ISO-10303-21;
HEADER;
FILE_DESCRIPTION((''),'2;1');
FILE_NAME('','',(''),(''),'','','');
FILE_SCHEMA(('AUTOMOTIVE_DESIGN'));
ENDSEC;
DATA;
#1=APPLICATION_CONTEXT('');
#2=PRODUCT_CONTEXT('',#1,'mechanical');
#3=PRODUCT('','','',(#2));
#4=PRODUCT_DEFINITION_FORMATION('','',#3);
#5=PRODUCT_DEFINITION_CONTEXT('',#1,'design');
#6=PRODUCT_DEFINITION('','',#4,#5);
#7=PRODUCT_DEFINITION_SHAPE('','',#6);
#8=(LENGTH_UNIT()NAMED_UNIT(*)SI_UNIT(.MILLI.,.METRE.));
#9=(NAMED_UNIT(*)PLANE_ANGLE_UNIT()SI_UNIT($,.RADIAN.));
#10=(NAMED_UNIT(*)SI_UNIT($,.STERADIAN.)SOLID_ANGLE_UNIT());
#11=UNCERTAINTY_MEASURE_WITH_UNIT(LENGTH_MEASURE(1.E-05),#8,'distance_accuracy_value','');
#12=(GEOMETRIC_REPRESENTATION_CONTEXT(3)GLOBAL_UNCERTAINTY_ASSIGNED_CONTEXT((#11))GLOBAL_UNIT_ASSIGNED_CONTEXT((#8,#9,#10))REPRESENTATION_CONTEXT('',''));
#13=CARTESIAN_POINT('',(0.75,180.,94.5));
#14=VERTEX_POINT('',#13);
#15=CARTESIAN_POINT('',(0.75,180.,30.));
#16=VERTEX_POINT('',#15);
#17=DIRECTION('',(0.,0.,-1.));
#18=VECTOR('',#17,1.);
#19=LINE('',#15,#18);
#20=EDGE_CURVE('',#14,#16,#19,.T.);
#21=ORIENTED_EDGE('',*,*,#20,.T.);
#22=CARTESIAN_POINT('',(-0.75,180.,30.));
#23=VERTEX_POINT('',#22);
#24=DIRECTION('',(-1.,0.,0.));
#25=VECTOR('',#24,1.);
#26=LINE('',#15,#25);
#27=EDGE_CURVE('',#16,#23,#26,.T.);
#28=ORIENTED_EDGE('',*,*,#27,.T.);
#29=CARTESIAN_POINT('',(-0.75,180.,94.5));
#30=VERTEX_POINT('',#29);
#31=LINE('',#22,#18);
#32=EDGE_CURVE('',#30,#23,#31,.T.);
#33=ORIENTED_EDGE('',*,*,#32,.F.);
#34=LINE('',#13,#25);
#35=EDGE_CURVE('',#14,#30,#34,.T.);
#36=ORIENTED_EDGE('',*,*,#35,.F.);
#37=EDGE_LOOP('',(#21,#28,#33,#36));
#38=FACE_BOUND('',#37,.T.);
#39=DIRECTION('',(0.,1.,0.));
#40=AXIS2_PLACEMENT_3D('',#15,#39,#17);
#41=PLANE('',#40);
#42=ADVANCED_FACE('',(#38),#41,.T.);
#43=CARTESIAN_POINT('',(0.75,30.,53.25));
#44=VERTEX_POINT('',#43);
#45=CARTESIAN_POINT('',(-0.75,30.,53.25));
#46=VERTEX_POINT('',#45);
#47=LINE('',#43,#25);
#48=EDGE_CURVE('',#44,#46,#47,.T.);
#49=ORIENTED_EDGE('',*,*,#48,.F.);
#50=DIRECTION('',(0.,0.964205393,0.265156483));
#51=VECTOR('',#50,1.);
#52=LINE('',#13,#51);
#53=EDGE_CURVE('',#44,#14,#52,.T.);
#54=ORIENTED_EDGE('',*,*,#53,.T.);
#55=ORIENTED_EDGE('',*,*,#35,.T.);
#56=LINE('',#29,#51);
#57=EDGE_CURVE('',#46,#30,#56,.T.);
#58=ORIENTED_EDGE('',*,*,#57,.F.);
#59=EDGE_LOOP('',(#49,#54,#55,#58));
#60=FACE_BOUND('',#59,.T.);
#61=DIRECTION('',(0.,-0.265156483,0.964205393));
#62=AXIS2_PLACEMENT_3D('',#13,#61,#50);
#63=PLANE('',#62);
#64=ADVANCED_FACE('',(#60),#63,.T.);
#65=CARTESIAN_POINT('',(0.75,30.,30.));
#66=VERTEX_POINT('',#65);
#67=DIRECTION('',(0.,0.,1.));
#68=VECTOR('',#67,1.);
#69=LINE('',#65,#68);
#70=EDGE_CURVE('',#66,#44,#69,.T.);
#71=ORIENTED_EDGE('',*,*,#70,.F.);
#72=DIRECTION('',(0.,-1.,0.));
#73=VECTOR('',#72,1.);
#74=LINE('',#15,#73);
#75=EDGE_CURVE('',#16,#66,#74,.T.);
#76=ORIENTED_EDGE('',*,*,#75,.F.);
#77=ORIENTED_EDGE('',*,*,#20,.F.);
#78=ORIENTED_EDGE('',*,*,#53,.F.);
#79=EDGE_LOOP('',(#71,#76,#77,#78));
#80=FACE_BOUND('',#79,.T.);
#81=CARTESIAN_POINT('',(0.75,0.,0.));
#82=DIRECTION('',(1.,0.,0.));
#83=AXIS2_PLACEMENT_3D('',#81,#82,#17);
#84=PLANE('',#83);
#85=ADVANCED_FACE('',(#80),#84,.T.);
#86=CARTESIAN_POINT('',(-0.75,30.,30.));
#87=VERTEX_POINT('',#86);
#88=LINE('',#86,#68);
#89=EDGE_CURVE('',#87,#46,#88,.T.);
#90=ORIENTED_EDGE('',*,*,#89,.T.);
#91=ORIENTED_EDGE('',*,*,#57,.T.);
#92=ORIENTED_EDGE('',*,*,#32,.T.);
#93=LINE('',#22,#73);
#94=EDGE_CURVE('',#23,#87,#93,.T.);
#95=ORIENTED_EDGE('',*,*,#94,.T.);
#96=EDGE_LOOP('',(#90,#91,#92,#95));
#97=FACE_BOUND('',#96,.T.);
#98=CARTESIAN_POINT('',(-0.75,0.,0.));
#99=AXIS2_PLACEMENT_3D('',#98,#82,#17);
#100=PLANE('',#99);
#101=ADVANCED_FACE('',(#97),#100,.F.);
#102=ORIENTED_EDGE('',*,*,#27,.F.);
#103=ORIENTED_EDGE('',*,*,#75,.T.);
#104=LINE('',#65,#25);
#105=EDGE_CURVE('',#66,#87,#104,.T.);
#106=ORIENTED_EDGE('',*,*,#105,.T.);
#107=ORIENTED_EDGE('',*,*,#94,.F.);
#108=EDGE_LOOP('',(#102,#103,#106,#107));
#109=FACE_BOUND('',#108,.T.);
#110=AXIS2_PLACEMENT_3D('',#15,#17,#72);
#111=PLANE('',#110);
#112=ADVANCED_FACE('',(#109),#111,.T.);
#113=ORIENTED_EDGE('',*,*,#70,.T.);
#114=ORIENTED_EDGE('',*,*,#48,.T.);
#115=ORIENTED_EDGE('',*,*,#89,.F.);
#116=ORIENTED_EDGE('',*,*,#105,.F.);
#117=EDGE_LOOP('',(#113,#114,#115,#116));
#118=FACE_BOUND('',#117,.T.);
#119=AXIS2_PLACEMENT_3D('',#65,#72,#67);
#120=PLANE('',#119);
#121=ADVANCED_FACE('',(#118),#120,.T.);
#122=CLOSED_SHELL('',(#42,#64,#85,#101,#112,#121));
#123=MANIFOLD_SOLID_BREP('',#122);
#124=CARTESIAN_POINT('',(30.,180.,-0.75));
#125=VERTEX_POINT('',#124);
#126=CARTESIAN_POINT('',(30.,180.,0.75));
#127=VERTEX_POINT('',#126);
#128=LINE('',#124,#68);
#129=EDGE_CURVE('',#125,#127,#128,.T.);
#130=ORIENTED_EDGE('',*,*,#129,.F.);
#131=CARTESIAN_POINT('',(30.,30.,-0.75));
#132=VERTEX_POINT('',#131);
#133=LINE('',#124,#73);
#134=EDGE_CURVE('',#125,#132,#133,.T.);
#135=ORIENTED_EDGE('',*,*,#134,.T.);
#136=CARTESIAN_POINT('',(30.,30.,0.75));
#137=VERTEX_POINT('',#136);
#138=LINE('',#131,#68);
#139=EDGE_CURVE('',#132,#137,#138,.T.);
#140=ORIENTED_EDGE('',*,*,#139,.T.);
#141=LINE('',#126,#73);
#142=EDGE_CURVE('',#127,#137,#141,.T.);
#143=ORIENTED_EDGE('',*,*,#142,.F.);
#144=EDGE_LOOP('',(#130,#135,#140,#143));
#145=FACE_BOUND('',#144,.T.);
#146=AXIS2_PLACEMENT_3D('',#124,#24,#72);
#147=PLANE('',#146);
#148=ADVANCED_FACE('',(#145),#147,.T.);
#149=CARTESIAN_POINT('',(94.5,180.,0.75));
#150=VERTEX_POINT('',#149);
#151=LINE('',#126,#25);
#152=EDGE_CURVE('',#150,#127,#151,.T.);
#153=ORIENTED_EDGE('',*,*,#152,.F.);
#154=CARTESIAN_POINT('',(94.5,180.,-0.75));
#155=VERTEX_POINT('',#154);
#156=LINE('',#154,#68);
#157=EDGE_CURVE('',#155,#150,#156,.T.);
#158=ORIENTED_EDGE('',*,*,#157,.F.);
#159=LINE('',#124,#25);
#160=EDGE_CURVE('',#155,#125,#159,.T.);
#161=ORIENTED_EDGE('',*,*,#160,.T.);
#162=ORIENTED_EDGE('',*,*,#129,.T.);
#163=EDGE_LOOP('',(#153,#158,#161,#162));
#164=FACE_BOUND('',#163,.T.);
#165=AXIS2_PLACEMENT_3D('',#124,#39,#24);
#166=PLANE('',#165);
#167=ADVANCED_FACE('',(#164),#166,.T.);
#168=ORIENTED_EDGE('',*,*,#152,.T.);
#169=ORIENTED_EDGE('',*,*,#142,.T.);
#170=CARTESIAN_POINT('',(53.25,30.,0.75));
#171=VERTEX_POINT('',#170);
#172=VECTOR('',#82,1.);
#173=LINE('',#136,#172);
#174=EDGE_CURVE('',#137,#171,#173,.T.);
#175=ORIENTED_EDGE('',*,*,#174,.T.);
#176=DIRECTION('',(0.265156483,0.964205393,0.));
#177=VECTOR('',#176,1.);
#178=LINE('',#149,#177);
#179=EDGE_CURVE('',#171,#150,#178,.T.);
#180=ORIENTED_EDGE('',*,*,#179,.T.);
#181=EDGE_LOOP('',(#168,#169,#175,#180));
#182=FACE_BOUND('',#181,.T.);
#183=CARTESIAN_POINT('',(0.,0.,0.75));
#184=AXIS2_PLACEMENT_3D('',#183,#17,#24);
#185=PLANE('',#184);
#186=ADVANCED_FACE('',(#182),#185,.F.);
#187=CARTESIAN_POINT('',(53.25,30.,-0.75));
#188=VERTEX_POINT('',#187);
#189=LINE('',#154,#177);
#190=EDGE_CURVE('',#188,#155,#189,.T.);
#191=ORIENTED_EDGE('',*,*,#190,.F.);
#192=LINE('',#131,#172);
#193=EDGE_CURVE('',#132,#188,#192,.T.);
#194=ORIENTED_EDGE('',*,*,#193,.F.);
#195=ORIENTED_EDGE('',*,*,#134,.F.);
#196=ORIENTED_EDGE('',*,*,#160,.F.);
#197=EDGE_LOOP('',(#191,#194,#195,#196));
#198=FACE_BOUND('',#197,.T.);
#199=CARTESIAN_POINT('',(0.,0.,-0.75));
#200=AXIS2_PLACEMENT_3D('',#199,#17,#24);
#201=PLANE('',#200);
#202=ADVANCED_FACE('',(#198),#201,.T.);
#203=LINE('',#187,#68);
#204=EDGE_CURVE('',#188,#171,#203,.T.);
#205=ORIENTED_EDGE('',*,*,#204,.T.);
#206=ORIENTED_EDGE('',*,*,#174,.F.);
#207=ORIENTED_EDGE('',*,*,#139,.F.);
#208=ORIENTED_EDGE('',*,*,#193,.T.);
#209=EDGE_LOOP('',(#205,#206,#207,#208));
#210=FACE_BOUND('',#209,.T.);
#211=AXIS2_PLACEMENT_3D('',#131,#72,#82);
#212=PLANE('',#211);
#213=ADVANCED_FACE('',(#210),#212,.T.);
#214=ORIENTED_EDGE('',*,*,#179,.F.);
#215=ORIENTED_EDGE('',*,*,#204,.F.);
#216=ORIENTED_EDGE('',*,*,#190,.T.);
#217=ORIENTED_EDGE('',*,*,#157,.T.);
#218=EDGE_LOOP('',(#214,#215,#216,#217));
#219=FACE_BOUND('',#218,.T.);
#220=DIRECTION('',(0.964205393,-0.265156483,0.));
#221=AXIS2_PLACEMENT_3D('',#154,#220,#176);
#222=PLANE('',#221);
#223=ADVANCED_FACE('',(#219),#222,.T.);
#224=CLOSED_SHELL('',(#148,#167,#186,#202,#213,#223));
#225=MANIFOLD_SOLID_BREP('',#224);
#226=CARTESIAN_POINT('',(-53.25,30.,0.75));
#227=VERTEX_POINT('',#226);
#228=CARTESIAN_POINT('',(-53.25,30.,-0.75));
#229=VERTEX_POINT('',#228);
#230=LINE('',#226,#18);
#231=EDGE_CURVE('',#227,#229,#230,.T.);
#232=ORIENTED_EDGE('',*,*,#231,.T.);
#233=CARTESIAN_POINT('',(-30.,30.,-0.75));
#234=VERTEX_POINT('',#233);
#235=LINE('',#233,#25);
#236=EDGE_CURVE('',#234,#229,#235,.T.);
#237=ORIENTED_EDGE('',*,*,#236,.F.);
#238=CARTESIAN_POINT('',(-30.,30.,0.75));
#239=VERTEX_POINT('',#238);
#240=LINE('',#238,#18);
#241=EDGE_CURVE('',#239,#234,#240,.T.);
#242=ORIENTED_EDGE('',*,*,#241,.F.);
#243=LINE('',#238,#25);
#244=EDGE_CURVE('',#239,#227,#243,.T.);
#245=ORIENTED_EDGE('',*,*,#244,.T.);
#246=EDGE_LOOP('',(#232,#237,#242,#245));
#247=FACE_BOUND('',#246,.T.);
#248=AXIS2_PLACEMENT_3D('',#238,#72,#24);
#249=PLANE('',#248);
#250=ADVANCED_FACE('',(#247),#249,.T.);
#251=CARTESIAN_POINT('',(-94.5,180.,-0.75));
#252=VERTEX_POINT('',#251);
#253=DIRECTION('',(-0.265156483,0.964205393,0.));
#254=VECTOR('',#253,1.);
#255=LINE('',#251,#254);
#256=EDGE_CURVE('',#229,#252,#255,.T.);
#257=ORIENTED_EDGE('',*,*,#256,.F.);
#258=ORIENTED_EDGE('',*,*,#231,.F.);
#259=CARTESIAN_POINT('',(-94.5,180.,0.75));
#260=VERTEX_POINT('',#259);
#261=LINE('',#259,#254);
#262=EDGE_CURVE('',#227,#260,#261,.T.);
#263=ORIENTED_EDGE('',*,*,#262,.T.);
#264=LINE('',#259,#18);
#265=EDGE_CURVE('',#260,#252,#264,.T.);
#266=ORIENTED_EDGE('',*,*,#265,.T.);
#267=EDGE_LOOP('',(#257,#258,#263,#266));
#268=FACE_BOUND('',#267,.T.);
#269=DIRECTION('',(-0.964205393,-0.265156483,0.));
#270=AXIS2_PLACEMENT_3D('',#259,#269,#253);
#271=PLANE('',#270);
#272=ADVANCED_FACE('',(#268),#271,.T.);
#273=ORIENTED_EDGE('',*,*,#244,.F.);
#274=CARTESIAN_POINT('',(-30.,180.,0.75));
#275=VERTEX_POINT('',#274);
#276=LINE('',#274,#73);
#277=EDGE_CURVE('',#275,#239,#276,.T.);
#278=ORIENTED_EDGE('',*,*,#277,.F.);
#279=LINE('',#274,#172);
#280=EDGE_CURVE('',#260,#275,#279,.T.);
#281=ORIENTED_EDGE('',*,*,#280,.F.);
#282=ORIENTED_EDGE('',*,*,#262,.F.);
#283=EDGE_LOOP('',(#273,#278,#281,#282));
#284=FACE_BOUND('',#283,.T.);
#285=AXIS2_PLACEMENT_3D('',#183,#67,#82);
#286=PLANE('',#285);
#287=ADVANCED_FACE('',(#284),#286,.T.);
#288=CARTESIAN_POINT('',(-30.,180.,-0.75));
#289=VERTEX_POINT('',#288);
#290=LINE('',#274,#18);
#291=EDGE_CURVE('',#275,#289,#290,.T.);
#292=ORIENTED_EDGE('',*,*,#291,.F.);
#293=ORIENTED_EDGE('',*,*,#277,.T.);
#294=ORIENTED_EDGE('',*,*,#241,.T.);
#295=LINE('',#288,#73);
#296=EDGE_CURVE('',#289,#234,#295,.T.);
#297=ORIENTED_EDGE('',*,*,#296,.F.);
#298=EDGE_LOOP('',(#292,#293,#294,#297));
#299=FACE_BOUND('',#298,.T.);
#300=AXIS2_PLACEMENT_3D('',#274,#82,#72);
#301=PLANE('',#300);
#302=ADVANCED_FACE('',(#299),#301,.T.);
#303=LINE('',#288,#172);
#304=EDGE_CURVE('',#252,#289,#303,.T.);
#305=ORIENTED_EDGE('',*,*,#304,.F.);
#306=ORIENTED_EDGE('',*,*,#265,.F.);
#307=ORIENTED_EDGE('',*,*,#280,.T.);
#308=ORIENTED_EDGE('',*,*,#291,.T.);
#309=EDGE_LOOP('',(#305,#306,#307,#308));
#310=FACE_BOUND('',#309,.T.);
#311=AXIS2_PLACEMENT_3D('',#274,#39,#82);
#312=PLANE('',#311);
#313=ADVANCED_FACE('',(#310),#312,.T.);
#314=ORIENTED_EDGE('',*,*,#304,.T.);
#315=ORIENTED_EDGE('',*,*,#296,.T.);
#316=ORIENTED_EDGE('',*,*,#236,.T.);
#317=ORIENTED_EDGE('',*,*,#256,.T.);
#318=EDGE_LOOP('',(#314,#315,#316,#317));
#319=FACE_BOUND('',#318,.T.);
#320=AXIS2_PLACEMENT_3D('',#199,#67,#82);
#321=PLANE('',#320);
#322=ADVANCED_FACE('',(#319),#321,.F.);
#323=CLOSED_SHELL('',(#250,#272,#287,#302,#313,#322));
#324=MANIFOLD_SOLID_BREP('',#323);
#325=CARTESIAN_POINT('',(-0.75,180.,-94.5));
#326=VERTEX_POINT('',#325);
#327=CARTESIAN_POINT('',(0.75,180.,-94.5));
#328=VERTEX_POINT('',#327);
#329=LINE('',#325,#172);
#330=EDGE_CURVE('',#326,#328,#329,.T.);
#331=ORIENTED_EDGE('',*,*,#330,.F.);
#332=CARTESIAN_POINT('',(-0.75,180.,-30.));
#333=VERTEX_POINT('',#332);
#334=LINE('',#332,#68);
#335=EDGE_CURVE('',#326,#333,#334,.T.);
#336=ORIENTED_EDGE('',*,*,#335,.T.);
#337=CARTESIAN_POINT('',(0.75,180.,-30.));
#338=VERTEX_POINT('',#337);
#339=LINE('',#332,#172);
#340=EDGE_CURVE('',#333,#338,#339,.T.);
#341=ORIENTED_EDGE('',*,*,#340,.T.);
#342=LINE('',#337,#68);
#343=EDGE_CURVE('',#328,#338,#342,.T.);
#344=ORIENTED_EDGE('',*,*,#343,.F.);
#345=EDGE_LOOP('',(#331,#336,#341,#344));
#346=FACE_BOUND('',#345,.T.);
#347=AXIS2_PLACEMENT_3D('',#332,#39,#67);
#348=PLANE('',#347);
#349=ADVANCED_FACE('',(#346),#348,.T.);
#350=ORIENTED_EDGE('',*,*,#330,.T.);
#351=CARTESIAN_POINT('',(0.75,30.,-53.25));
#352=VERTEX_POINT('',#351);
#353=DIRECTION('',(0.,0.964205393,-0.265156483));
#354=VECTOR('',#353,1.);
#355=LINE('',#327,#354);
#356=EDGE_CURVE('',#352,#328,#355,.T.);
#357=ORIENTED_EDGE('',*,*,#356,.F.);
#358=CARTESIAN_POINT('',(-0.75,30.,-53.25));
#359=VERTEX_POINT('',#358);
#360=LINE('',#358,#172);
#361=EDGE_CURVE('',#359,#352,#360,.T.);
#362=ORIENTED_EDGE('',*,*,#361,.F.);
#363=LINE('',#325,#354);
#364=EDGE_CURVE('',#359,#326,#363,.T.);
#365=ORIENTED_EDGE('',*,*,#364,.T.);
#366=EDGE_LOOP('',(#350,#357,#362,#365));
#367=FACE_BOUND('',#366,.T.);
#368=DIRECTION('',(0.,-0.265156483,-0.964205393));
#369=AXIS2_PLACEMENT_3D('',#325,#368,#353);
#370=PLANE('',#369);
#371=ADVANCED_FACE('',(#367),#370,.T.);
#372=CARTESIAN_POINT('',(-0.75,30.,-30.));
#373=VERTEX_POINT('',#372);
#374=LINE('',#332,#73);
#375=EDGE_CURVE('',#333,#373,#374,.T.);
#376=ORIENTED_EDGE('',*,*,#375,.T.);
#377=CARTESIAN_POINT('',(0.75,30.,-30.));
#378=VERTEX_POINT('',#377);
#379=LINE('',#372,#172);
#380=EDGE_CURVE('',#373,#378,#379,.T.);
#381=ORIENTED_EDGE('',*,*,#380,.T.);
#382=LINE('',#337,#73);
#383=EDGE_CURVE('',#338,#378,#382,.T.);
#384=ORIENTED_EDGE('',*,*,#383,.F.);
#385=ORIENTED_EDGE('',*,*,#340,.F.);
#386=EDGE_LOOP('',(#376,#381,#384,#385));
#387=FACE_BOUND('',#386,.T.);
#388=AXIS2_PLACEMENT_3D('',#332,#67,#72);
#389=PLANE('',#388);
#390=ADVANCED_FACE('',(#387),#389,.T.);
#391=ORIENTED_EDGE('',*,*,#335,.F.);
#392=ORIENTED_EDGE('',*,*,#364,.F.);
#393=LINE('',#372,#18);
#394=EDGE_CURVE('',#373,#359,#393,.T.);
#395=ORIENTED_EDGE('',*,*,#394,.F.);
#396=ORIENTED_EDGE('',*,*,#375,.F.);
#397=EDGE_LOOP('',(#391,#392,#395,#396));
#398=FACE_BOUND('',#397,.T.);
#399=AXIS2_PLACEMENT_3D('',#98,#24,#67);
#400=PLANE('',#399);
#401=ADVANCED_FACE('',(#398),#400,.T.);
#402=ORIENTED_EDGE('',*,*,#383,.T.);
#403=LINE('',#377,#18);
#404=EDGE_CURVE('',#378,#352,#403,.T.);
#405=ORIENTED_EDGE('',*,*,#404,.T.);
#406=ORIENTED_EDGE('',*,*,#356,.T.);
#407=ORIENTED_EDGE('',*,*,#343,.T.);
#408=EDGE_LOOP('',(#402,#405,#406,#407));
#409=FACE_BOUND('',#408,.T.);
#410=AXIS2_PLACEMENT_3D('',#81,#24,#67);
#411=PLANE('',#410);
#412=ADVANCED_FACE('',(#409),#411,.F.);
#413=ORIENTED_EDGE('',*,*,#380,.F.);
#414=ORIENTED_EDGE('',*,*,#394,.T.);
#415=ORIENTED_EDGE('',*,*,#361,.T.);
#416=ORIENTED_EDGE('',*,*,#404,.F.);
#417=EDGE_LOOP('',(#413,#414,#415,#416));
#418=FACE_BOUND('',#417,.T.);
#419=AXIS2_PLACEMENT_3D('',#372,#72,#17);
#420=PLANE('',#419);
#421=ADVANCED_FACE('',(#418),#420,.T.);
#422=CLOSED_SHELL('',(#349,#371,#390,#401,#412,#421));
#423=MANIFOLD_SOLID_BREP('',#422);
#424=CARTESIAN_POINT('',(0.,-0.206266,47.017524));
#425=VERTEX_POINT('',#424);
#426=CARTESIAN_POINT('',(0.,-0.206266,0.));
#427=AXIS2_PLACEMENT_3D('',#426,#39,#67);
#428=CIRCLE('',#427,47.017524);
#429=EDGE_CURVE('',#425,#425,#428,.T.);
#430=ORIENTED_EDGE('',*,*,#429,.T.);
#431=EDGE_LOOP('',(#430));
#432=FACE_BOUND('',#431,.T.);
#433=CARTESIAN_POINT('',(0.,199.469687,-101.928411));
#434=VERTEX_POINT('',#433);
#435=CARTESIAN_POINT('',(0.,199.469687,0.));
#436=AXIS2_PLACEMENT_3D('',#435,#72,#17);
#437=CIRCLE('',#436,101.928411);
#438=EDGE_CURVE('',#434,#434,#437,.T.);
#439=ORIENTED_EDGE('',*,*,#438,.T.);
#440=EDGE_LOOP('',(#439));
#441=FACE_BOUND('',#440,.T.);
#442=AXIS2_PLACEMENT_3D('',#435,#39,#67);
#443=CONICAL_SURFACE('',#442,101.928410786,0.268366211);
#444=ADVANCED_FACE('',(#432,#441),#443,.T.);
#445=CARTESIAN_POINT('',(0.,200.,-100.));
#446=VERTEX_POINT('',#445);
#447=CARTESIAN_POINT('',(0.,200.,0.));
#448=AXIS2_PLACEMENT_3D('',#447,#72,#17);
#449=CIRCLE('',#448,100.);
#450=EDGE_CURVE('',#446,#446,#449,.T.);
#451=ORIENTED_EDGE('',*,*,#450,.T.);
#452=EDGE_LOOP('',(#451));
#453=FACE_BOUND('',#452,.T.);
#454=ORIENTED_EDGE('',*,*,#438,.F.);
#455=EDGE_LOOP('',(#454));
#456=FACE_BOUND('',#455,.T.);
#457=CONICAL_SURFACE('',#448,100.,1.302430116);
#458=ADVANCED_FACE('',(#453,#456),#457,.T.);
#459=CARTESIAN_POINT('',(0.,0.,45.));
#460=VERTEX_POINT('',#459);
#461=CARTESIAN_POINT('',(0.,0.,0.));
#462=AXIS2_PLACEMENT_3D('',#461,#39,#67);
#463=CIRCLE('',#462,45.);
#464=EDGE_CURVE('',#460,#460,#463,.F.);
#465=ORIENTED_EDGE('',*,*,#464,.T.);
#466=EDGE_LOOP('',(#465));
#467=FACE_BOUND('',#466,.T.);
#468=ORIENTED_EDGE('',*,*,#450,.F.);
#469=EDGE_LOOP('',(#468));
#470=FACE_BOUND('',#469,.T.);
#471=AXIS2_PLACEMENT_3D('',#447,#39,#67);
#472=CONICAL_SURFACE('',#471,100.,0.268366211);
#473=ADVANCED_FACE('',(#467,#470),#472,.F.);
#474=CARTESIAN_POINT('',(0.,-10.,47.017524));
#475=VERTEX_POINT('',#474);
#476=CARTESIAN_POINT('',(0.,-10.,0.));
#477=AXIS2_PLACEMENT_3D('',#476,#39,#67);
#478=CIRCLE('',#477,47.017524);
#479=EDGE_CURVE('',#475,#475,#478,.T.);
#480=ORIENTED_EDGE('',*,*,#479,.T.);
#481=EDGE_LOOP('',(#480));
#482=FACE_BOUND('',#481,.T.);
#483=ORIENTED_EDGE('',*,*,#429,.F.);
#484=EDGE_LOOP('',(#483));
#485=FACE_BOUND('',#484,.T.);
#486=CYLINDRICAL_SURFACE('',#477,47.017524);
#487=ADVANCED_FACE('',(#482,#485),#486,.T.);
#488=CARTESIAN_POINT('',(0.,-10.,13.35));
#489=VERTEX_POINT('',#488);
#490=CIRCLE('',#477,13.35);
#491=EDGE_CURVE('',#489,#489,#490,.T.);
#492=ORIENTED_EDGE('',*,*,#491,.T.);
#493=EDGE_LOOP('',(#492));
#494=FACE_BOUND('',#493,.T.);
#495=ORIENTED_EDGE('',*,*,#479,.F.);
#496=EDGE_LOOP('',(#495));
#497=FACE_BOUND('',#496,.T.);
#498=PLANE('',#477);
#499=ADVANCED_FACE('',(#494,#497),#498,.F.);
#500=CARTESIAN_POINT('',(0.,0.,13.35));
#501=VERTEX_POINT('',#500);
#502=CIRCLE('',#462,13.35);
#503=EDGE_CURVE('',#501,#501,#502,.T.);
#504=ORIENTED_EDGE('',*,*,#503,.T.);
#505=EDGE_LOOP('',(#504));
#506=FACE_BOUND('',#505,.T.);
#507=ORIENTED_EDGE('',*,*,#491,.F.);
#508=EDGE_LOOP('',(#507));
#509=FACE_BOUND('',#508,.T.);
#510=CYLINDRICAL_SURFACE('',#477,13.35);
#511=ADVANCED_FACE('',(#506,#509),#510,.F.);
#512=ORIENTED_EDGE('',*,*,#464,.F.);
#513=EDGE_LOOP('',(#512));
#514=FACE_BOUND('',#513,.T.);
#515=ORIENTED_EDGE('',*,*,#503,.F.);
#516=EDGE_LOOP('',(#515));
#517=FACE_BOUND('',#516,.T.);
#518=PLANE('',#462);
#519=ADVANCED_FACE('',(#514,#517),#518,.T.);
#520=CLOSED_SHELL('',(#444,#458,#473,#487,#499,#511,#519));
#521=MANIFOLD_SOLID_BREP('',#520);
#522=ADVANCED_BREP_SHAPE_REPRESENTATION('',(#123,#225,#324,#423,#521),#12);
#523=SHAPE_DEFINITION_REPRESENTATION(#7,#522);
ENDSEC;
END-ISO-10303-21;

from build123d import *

# Parameters (mm, degrees)
SKETCH2_R                = 47.017523695
SKETCH2_R_2              = 13.35
BOSS_EXTRUDE1_DEPTH      = 10
BOSS_EXTRUDE2_DEPTH      = 0.75
BOSS_EXTRUDE2_DEPTH_BACK = 0.75
CIRPATTERN3_COUNT        = 4


with BuildPart() as part:
    # Sketch1 → Revolve-Thin1 (revolve)
    with BuildSketch(Plane(origin=(0, 0, 0), x_dir=(0, 0, -1), z_dir=(1, 0, 0))):
        Polygon((100, 200), (45, 0), (46.928410786, -0.530312966), (101.928410786, 199.469687034), align=None)
    revolve(axis=Axis((0, 0, 0), (0, 1, 0)))

    # Sketch2 → Boss-Extrude1 (add)
    with BuildSketch(Plane(origin=(0, 0, 0), x_dir=(1, 0, 0), z_dir=(0, 1, 0))):
        Circle(SKETCH2_R)
        Circle(SKETCH2_R_2, mode=Mode.SUBTRACT)
    extrude(amount=-BOSS_EXTRUDE1_DEPTH)


with BuildPart() as body_2:
    # Sketch3 → Boss-Extrude2 (new, two sides: drawn at the far end of the back side and taken through both)
    with BuildSketch(Plane(origin=(0, 0, 0), x_dir=(0, 0, -1), z_dir=(1, 0, 0)).offset(-BOSS_EXTRUDE2_DEPTH_BACK)):
        Polygon((30, 180), (30, 30), (53.25, 30), (94.5, 180), align=None)
    extrude(amount=BOSS_EXTRUDE2_DEPTH + BOSS_EXTRUDE2_DEPTH_BACK)


with BuildPart() as cirpattern3_1:
    # CirPattern3: pattern copy
    add(body_2.part.rotate(Axis((0, 200, 0), (0, -1, 0)), 1 * 360 / CIRPATTERN3_COUNT))


with BuildPart() as cirpattern3_2:
    # CirPattern3: pattern copy
    add(body_2.part.rotate(Axis((0, 200, 0), (0, -1, 0)), 2 * 360 / CIRPATTERN3_COUNT))


with BuildPart() as cirpattern3_3:
    # CirPattern3: pattern copy
    add(body_2.part.rotate(Axis((0, 200, 0), (0, -1, 0)), 3 * 360 / CIRPATTERN3_COUNT))


solid = Compound([part.part, body_2.part, cirpattern3_1.part, cirpattern3_2.part, cirpattern3_3.part])
